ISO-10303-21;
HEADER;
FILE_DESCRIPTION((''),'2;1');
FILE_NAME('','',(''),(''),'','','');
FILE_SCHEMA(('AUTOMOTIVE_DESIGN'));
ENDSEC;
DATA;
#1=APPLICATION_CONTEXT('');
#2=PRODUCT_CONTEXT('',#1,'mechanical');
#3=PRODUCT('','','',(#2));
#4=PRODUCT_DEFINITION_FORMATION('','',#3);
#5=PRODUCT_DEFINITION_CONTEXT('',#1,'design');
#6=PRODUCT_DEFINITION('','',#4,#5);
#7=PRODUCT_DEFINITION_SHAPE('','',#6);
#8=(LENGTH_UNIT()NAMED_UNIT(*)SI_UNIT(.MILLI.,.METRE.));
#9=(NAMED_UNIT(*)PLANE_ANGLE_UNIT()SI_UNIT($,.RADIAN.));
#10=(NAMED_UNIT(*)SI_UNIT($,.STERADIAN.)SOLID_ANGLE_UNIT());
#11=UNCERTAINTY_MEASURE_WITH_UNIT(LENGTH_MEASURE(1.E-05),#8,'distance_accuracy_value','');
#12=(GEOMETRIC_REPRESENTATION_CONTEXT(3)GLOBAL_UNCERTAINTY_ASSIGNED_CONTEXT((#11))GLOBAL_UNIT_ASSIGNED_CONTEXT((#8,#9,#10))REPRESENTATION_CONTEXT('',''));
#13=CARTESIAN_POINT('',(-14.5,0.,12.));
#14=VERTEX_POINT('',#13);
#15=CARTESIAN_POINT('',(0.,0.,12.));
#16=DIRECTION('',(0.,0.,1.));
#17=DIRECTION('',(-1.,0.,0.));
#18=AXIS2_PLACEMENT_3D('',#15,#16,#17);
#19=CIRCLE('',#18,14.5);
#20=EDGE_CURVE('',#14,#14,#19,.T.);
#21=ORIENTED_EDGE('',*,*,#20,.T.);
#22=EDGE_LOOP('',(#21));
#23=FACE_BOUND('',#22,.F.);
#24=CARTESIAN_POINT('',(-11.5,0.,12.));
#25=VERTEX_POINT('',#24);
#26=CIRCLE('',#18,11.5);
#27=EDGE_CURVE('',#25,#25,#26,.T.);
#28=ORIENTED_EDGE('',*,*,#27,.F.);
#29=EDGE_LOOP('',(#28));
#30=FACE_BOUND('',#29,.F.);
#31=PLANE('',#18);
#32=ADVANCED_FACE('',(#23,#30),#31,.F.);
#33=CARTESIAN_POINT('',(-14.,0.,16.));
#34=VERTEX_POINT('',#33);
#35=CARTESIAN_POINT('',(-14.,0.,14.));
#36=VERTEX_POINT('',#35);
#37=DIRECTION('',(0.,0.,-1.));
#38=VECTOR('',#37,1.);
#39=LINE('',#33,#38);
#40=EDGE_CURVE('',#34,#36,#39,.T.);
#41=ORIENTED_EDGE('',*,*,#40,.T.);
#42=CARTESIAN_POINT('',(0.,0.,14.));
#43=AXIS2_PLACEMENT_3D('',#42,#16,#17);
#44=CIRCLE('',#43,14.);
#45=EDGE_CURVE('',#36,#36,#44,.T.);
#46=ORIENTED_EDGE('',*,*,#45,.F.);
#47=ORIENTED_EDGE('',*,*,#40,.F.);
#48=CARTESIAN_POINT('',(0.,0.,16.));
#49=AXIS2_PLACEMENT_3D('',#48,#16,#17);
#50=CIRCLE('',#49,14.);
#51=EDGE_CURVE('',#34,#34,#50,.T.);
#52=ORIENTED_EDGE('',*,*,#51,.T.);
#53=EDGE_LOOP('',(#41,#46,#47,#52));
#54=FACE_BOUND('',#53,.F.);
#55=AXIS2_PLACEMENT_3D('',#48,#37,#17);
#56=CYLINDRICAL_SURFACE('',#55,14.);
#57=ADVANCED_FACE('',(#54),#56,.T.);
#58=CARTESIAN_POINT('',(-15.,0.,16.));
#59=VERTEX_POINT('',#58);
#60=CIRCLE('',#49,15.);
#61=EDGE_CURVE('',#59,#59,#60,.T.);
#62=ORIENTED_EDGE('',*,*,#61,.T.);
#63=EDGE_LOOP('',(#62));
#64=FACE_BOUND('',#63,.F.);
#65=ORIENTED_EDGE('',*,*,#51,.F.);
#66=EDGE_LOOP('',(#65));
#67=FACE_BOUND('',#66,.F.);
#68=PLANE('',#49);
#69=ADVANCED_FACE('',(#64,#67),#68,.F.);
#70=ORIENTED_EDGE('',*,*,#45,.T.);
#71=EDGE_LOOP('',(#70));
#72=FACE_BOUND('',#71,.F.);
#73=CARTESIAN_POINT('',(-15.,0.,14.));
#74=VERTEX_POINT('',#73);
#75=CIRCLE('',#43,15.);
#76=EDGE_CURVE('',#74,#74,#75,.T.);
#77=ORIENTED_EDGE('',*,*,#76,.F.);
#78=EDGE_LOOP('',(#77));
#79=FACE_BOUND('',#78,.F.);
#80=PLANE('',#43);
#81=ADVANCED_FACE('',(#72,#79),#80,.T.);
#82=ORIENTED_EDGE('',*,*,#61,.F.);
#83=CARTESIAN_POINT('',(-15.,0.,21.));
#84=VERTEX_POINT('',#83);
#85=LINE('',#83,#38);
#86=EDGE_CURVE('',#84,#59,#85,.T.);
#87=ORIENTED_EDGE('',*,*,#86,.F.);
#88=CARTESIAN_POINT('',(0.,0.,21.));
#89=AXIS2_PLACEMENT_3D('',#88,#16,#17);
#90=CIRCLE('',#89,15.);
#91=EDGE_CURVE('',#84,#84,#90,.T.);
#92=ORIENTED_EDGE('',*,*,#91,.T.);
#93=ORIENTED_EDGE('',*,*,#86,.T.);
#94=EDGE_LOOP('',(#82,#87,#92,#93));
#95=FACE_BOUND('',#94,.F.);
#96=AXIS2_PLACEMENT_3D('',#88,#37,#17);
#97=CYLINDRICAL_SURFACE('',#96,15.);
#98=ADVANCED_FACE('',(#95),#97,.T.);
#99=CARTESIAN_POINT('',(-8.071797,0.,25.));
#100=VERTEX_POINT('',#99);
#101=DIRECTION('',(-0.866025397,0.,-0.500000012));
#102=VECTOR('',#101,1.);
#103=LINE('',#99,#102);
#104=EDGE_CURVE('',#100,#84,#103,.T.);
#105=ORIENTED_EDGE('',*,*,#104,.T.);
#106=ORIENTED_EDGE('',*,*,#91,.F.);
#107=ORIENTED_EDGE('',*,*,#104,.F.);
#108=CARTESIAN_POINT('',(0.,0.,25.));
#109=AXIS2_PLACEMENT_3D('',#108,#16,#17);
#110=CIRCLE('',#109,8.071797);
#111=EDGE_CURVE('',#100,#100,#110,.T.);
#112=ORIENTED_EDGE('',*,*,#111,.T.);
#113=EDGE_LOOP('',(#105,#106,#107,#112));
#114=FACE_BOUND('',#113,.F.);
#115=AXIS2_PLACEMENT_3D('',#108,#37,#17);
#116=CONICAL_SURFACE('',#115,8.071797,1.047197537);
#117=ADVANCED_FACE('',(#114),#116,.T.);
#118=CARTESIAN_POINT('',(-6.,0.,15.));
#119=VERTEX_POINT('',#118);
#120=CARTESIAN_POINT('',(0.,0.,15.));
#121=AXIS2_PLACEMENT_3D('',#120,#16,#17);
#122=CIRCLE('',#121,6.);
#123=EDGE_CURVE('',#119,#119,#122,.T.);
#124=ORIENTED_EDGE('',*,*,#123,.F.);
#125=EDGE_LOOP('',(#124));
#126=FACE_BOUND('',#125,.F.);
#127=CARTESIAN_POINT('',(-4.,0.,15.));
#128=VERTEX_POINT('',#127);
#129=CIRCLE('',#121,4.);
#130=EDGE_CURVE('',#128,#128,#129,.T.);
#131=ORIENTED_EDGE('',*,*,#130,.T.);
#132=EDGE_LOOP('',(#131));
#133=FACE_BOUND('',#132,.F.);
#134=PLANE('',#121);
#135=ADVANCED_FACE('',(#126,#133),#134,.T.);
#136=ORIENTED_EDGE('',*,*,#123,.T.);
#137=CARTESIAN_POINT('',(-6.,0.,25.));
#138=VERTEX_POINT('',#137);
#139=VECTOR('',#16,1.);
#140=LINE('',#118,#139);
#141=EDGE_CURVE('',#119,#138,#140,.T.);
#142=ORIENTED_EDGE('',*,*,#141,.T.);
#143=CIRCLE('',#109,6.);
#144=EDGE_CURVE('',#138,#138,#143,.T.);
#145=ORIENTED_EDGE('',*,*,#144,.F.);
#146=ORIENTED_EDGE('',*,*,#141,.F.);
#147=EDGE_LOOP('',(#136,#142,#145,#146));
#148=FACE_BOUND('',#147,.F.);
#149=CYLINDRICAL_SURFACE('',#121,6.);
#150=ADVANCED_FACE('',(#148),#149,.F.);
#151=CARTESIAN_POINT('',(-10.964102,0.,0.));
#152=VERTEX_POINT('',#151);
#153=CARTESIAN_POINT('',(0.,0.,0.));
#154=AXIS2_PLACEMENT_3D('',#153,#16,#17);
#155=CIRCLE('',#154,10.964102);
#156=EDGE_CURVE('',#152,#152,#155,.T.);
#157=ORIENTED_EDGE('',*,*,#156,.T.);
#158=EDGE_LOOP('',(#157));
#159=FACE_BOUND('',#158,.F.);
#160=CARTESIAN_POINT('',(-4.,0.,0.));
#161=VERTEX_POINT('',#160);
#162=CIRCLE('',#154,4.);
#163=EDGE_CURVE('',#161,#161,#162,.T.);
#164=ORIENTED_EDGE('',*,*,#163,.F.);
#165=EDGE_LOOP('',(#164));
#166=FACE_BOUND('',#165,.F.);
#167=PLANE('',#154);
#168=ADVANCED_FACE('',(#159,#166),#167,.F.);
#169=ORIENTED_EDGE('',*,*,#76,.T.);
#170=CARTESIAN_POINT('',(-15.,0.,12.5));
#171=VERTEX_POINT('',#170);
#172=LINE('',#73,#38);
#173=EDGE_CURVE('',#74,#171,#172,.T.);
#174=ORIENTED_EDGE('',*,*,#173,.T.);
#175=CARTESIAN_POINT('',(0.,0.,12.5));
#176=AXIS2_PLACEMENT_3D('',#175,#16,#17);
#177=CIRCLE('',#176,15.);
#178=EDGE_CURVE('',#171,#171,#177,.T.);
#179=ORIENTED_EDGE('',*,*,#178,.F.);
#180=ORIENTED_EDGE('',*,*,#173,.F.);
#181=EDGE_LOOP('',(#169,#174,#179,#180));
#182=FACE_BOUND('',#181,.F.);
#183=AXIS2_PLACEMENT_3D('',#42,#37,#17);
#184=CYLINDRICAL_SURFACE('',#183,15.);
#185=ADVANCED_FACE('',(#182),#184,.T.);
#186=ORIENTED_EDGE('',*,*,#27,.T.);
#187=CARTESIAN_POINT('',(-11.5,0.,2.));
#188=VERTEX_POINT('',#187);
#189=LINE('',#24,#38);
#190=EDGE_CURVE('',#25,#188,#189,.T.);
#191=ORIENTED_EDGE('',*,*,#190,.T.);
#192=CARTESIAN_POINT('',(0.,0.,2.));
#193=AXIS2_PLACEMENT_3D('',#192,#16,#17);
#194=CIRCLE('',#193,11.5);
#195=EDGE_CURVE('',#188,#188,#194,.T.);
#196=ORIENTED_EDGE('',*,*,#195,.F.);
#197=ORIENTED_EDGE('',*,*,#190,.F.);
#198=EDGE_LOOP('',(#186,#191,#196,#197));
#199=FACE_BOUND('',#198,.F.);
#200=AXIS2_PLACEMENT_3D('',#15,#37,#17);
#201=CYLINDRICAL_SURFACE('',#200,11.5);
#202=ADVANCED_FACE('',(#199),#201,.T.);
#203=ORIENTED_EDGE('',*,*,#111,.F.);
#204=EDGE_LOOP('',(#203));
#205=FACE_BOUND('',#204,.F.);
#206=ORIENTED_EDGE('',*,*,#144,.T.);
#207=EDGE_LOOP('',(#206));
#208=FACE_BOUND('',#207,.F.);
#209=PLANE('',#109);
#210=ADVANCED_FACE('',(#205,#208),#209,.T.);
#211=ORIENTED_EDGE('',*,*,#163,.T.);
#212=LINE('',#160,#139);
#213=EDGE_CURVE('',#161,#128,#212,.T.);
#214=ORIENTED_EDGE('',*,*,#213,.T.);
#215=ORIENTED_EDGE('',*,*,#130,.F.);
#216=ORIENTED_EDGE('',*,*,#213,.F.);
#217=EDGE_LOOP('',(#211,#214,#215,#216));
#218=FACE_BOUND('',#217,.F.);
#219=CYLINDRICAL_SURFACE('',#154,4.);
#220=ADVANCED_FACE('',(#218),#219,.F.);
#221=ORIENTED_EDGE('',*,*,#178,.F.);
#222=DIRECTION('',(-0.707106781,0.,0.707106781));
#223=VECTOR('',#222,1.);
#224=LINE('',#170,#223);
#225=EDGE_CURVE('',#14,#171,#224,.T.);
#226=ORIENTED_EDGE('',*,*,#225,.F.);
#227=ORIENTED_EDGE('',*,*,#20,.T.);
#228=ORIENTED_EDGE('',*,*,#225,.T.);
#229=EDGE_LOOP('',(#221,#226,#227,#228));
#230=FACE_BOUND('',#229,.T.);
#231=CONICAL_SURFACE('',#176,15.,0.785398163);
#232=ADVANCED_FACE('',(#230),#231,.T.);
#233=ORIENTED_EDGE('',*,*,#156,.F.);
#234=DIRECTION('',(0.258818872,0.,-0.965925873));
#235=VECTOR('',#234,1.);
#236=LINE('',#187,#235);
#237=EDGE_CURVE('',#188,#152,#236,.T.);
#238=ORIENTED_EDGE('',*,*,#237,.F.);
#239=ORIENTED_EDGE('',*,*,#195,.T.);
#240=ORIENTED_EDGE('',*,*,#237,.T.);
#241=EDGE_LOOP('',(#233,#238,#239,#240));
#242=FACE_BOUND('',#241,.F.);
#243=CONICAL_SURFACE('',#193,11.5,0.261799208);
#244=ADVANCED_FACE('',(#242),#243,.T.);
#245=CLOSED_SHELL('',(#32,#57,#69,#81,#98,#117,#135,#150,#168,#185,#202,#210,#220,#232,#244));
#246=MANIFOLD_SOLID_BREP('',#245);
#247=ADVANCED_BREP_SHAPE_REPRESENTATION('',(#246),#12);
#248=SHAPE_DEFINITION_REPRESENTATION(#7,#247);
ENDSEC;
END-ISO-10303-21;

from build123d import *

# Parameters (mm, degrees)
F2_SIZE2 = 0.535898
F2_SIZE  = 2
F3_SIZE  = 0.5


with BuildPart() as f1:
    # F0 (on Front) → F1 (revolve)
    with BuildSketch(Plane.XZ):
        Polygon((-6, 15), (-6, 25), (-8.071797, 25), (-15, 21), (-15, 16), (-14, 16), (-14, 14), (-15, 14), (-15, 12), (-11.5, 12), (-11.5, 0), (-4, 0), (-4, 15), align=None)
    revolve(axis=Axis((0, 0, 15.110009), (0, 0, 1)))

    # F2
    f2_edges = [f1.edges().sort_by_distance(p)[0] for p in [
        (11.5, 0, 0),
    ]]
    chamfer(f2_edges, length=F2_SIZE, length2=F2_SIZE2)

    # F3
    f3_edges = [f1.edges().sort_by_distance(p)[0] for p in [
        (15, 0, 12),
    ]]
    chamfer(f3_edges, length=F3_SIZE)


solid = f1.part
